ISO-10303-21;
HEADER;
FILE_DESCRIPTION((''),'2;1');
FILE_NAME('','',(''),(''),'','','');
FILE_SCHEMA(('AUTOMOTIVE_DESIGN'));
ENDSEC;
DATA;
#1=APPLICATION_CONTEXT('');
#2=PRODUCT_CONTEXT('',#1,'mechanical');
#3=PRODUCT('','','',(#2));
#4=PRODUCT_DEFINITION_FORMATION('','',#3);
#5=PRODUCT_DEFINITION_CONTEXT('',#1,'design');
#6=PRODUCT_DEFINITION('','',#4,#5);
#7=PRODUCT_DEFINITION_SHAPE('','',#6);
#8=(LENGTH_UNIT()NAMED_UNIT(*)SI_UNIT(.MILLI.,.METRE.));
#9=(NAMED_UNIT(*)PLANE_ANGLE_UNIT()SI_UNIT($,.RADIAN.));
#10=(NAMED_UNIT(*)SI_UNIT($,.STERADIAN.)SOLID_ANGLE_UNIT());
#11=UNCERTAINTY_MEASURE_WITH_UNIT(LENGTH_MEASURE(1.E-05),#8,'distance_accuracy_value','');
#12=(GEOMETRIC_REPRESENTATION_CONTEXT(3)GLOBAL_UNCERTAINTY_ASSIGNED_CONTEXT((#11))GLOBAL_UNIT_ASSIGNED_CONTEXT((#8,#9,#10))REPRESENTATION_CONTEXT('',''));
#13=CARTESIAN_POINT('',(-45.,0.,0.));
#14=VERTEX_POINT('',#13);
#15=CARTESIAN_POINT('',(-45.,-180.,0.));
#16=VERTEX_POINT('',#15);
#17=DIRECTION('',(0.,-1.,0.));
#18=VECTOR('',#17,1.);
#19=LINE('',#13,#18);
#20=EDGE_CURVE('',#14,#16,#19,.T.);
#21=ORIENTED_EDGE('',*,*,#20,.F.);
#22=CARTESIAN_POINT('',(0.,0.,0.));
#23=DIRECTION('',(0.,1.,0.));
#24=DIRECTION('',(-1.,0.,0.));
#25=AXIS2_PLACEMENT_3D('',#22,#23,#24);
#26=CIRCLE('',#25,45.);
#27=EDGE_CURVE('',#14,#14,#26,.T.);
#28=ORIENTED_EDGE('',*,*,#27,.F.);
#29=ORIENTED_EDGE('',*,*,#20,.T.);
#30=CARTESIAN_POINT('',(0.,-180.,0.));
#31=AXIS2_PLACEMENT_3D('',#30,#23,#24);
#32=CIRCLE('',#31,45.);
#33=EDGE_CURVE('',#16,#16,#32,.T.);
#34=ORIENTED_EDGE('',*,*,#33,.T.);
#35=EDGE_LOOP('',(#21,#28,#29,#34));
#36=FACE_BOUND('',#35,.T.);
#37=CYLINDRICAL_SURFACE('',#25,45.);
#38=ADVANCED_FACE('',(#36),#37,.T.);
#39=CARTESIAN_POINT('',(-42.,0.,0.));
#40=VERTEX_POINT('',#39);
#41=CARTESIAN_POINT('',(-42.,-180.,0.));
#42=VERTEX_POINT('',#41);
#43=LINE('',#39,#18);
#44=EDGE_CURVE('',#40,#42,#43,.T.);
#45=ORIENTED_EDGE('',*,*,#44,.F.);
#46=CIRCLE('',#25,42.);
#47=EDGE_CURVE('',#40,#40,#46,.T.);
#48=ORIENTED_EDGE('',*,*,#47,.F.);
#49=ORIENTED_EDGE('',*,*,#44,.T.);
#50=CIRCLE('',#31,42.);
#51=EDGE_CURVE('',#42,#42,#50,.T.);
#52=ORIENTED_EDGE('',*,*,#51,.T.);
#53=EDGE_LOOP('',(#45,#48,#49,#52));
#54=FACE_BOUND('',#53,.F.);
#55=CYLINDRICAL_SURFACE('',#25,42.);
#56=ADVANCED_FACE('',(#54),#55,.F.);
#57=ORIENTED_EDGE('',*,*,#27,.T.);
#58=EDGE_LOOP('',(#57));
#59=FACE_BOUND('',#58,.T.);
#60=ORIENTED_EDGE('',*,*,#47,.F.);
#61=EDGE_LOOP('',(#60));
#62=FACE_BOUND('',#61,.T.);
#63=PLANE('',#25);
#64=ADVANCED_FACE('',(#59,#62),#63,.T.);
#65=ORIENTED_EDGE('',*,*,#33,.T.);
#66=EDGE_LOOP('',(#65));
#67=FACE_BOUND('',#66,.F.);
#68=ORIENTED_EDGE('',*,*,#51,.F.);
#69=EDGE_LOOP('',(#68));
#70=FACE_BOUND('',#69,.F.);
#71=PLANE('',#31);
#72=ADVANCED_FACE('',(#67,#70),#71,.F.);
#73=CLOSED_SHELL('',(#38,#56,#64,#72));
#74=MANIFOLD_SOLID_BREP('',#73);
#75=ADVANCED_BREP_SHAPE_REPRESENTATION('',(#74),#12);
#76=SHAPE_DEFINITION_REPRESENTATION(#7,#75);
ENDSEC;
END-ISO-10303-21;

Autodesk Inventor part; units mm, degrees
ref_plane "YZ Plane" through (0, 0, 0) normal (1, 0, 0) x (0, 1, 0)
ref_plane "XZ Plane" through (0, 0, 0) normal (0, 1, 0) x (-1, 0, 0)
ref_plane "XY Plane" through (0, 0, 0) normal (0, 0, 1) x (1, 0, 0)
sketch "Sketch1" plane through (0, 0, 0) normal (0, 1, 0) x (-1, 0, 0)
  circle A0 centre (0, 0) radius 45
  circle A1 centre (0, 0) radius 42
  dimension "d0" = 90
  dimension "d1" = 3
extrude "Extrusion1" add sketch "Sketch1" against normal blind 180
properties part number "PNS 1723 FDS tube 2" material "Steel"
